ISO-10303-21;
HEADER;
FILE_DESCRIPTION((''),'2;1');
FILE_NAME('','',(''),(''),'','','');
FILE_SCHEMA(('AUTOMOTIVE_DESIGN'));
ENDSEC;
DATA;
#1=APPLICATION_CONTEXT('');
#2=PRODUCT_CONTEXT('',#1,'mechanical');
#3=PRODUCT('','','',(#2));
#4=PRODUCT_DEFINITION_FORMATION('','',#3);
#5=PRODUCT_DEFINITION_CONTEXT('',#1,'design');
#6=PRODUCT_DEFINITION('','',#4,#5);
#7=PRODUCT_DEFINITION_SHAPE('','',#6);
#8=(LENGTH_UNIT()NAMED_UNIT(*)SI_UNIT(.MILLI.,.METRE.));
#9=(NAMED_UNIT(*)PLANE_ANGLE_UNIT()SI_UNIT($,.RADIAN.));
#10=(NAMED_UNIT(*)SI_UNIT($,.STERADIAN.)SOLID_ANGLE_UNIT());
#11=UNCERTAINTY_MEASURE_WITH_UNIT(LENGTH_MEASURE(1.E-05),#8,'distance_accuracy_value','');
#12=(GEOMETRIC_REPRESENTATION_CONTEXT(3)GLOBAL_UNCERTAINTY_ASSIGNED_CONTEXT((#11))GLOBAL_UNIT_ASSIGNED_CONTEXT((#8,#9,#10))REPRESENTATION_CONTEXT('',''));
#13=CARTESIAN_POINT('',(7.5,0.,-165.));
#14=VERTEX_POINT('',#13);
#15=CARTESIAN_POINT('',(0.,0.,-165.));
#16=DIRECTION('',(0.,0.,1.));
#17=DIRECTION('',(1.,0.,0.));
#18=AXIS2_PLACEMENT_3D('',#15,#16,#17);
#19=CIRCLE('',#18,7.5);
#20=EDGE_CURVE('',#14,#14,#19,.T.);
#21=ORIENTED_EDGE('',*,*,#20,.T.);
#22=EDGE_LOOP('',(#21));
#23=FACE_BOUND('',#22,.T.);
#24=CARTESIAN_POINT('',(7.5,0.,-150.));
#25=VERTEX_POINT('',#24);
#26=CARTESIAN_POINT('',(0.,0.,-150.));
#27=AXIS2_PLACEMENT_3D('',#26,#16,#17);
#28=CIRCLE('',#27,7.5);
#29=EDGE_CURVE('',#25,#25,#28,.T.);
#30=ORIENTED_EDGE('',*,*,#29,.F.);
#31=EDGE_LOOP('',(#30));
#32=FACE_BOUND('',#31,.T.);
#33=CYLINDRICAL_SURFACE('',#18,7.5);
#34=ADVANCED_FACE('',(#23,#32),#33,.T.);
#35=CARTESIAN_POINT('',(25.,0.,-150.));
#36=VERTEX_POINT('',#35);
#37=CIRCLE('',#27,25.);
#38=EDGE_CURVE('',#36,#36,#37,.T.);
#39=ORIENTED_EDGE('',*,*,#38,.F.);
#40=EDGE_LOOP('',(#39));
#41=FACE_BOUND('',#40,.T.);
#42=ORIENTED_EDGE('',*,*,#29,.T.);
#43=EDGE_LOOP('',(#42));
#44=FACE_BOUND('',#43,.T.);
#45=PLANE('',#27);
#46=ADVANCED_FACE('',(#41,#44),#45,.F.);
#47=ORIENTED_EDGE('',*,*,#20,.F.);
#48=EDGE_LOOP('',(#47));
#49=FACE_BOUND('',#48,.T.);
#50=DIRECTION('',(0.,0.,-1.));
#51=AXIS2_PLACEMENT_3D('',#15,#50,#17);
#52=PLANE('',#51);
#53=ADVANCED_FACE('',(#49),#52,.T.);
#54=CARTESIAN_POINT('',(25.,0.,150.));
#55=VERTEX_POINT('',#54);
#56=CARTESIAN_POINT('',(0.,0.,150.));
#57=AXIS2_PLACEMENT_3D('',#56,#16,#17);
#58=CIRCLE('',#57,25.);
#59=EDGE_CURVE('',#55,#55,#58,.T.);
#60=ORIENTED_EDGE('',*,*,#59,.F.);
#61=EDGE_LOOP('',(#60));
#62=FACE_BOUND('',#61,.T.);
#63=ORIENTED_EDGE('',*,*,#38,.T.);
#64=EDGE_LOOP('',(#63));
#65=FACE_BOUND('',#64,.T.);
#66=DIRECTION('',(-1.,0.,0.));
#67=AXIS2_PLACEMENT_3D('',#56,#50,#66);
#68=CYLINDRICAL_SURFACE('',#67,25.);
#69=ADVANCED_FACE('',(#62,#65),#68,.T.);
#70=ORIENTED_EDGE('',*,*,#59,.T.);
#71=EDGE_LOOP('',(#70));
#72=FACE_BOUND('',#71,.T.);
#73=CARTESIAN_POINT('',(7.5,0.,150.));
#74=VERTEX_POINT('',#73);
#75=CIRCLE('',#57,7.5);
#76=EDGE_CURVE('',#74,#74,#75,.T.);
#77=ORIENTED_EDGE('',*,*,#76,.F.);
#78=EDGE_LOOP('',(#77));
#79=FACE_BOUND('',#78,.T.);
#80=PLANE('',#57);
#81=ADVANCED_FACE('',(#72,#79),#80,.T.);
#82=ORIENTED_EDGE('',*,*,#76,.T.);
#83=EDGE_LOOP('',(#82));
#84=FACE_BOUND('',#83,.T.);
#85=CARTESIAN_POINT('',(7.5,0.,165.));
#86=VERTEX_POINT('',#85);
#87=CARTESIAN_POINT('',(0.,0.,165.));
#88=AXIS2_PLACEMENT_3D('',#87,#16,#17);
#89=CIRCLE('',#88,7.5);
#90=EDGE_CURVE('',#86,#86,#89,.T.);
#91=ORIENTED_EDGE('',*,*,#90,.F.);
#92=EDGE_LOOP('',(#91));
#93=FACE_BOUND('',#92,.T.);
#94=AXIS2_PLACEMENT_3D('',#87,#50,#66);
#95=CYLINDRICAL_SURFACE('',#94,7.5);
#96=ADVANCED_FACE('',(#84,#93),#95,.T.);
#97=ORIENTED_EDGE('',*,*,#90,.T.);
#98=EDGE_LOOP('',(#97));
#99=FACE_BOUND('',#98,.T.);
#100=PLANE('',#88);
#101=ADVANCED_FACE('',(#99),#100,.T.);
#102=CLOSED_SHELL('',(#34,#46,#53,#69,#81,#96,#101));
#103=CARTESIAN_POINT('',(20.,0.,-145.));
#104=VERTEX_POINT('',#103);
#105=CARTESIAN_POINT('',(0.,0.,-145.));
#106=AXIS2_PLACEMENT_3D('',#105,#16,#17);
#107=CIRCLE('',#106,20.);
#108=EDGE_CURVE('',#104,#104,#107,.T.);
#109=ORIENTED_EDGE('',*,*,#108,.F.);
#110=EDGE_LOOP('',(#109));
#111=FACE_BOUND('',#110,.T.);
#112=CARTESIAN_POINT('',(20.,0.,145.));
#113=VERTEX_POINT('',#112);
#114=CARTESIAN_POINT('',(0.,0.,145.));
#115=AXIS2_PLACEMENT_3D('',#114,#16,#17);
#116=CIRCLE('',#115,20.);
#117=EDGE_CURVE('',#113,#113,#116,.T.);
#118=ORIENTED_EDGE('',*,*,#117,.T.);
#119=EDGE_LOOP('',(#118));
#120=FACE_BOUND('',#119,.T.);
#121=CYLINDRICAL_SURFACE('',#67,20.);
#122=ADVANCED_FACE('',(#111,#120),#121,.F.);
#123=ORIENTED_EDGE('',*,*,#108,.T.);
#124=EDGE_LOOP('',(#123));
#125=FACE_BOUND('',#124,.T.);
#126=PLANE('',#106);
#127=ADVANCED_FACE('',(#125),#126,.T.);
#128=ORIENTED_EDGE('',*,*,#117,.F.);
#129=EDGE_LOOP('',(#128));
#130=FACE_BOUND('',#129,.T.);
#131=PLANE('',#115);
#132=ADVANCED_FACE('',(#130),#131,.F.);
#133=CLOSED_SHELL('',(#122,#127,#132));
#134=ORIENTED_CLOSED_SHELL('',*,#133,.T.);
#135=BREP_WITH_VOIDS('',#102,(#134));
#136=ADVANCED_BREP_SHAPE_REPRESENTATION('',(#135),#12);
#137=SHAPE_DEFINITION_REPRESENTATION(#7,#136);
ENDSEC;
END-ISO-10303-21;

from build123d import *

# Parameters (mm, degrees)
SKETCH1_R           = 25
BOSS_EXTRUDE1_DEPTH = 150
SHELL1_T            = 5
SKETCH2_R           = 7.5
BOSS_EXTRUDE2_DEPTH = 15


with BuildPart() as part:
    # Sketch1 → Boss-Extrude1 (new, symmetric)
    with BuildSketch(Plane.XY):
        Circle(SKETCH1_R)
    extrude(amount=BOSS_EXTRUDE1_DEPTH, both=True)

    # Shell1 (no face opened: a closed hollow body)
    add(offset(amount=-SHELL1_T, mode=Mode.PRIVATE), mode=Mode.SUBTRACT)

    # Sketch2 → Boss-Extrude2 (add)
    with BuildSketch(Plane.XY.offset(150)):
        Circle(SKETCH2_R)
    boss_extrude2 = extrude(amount=BOSS_EXTRUDE2_DEPTH)

    # Mirror1: Boss-Extrude2 across plane
    add(boss_extrude2.mirror(Plane.XY))


solid = part.part
